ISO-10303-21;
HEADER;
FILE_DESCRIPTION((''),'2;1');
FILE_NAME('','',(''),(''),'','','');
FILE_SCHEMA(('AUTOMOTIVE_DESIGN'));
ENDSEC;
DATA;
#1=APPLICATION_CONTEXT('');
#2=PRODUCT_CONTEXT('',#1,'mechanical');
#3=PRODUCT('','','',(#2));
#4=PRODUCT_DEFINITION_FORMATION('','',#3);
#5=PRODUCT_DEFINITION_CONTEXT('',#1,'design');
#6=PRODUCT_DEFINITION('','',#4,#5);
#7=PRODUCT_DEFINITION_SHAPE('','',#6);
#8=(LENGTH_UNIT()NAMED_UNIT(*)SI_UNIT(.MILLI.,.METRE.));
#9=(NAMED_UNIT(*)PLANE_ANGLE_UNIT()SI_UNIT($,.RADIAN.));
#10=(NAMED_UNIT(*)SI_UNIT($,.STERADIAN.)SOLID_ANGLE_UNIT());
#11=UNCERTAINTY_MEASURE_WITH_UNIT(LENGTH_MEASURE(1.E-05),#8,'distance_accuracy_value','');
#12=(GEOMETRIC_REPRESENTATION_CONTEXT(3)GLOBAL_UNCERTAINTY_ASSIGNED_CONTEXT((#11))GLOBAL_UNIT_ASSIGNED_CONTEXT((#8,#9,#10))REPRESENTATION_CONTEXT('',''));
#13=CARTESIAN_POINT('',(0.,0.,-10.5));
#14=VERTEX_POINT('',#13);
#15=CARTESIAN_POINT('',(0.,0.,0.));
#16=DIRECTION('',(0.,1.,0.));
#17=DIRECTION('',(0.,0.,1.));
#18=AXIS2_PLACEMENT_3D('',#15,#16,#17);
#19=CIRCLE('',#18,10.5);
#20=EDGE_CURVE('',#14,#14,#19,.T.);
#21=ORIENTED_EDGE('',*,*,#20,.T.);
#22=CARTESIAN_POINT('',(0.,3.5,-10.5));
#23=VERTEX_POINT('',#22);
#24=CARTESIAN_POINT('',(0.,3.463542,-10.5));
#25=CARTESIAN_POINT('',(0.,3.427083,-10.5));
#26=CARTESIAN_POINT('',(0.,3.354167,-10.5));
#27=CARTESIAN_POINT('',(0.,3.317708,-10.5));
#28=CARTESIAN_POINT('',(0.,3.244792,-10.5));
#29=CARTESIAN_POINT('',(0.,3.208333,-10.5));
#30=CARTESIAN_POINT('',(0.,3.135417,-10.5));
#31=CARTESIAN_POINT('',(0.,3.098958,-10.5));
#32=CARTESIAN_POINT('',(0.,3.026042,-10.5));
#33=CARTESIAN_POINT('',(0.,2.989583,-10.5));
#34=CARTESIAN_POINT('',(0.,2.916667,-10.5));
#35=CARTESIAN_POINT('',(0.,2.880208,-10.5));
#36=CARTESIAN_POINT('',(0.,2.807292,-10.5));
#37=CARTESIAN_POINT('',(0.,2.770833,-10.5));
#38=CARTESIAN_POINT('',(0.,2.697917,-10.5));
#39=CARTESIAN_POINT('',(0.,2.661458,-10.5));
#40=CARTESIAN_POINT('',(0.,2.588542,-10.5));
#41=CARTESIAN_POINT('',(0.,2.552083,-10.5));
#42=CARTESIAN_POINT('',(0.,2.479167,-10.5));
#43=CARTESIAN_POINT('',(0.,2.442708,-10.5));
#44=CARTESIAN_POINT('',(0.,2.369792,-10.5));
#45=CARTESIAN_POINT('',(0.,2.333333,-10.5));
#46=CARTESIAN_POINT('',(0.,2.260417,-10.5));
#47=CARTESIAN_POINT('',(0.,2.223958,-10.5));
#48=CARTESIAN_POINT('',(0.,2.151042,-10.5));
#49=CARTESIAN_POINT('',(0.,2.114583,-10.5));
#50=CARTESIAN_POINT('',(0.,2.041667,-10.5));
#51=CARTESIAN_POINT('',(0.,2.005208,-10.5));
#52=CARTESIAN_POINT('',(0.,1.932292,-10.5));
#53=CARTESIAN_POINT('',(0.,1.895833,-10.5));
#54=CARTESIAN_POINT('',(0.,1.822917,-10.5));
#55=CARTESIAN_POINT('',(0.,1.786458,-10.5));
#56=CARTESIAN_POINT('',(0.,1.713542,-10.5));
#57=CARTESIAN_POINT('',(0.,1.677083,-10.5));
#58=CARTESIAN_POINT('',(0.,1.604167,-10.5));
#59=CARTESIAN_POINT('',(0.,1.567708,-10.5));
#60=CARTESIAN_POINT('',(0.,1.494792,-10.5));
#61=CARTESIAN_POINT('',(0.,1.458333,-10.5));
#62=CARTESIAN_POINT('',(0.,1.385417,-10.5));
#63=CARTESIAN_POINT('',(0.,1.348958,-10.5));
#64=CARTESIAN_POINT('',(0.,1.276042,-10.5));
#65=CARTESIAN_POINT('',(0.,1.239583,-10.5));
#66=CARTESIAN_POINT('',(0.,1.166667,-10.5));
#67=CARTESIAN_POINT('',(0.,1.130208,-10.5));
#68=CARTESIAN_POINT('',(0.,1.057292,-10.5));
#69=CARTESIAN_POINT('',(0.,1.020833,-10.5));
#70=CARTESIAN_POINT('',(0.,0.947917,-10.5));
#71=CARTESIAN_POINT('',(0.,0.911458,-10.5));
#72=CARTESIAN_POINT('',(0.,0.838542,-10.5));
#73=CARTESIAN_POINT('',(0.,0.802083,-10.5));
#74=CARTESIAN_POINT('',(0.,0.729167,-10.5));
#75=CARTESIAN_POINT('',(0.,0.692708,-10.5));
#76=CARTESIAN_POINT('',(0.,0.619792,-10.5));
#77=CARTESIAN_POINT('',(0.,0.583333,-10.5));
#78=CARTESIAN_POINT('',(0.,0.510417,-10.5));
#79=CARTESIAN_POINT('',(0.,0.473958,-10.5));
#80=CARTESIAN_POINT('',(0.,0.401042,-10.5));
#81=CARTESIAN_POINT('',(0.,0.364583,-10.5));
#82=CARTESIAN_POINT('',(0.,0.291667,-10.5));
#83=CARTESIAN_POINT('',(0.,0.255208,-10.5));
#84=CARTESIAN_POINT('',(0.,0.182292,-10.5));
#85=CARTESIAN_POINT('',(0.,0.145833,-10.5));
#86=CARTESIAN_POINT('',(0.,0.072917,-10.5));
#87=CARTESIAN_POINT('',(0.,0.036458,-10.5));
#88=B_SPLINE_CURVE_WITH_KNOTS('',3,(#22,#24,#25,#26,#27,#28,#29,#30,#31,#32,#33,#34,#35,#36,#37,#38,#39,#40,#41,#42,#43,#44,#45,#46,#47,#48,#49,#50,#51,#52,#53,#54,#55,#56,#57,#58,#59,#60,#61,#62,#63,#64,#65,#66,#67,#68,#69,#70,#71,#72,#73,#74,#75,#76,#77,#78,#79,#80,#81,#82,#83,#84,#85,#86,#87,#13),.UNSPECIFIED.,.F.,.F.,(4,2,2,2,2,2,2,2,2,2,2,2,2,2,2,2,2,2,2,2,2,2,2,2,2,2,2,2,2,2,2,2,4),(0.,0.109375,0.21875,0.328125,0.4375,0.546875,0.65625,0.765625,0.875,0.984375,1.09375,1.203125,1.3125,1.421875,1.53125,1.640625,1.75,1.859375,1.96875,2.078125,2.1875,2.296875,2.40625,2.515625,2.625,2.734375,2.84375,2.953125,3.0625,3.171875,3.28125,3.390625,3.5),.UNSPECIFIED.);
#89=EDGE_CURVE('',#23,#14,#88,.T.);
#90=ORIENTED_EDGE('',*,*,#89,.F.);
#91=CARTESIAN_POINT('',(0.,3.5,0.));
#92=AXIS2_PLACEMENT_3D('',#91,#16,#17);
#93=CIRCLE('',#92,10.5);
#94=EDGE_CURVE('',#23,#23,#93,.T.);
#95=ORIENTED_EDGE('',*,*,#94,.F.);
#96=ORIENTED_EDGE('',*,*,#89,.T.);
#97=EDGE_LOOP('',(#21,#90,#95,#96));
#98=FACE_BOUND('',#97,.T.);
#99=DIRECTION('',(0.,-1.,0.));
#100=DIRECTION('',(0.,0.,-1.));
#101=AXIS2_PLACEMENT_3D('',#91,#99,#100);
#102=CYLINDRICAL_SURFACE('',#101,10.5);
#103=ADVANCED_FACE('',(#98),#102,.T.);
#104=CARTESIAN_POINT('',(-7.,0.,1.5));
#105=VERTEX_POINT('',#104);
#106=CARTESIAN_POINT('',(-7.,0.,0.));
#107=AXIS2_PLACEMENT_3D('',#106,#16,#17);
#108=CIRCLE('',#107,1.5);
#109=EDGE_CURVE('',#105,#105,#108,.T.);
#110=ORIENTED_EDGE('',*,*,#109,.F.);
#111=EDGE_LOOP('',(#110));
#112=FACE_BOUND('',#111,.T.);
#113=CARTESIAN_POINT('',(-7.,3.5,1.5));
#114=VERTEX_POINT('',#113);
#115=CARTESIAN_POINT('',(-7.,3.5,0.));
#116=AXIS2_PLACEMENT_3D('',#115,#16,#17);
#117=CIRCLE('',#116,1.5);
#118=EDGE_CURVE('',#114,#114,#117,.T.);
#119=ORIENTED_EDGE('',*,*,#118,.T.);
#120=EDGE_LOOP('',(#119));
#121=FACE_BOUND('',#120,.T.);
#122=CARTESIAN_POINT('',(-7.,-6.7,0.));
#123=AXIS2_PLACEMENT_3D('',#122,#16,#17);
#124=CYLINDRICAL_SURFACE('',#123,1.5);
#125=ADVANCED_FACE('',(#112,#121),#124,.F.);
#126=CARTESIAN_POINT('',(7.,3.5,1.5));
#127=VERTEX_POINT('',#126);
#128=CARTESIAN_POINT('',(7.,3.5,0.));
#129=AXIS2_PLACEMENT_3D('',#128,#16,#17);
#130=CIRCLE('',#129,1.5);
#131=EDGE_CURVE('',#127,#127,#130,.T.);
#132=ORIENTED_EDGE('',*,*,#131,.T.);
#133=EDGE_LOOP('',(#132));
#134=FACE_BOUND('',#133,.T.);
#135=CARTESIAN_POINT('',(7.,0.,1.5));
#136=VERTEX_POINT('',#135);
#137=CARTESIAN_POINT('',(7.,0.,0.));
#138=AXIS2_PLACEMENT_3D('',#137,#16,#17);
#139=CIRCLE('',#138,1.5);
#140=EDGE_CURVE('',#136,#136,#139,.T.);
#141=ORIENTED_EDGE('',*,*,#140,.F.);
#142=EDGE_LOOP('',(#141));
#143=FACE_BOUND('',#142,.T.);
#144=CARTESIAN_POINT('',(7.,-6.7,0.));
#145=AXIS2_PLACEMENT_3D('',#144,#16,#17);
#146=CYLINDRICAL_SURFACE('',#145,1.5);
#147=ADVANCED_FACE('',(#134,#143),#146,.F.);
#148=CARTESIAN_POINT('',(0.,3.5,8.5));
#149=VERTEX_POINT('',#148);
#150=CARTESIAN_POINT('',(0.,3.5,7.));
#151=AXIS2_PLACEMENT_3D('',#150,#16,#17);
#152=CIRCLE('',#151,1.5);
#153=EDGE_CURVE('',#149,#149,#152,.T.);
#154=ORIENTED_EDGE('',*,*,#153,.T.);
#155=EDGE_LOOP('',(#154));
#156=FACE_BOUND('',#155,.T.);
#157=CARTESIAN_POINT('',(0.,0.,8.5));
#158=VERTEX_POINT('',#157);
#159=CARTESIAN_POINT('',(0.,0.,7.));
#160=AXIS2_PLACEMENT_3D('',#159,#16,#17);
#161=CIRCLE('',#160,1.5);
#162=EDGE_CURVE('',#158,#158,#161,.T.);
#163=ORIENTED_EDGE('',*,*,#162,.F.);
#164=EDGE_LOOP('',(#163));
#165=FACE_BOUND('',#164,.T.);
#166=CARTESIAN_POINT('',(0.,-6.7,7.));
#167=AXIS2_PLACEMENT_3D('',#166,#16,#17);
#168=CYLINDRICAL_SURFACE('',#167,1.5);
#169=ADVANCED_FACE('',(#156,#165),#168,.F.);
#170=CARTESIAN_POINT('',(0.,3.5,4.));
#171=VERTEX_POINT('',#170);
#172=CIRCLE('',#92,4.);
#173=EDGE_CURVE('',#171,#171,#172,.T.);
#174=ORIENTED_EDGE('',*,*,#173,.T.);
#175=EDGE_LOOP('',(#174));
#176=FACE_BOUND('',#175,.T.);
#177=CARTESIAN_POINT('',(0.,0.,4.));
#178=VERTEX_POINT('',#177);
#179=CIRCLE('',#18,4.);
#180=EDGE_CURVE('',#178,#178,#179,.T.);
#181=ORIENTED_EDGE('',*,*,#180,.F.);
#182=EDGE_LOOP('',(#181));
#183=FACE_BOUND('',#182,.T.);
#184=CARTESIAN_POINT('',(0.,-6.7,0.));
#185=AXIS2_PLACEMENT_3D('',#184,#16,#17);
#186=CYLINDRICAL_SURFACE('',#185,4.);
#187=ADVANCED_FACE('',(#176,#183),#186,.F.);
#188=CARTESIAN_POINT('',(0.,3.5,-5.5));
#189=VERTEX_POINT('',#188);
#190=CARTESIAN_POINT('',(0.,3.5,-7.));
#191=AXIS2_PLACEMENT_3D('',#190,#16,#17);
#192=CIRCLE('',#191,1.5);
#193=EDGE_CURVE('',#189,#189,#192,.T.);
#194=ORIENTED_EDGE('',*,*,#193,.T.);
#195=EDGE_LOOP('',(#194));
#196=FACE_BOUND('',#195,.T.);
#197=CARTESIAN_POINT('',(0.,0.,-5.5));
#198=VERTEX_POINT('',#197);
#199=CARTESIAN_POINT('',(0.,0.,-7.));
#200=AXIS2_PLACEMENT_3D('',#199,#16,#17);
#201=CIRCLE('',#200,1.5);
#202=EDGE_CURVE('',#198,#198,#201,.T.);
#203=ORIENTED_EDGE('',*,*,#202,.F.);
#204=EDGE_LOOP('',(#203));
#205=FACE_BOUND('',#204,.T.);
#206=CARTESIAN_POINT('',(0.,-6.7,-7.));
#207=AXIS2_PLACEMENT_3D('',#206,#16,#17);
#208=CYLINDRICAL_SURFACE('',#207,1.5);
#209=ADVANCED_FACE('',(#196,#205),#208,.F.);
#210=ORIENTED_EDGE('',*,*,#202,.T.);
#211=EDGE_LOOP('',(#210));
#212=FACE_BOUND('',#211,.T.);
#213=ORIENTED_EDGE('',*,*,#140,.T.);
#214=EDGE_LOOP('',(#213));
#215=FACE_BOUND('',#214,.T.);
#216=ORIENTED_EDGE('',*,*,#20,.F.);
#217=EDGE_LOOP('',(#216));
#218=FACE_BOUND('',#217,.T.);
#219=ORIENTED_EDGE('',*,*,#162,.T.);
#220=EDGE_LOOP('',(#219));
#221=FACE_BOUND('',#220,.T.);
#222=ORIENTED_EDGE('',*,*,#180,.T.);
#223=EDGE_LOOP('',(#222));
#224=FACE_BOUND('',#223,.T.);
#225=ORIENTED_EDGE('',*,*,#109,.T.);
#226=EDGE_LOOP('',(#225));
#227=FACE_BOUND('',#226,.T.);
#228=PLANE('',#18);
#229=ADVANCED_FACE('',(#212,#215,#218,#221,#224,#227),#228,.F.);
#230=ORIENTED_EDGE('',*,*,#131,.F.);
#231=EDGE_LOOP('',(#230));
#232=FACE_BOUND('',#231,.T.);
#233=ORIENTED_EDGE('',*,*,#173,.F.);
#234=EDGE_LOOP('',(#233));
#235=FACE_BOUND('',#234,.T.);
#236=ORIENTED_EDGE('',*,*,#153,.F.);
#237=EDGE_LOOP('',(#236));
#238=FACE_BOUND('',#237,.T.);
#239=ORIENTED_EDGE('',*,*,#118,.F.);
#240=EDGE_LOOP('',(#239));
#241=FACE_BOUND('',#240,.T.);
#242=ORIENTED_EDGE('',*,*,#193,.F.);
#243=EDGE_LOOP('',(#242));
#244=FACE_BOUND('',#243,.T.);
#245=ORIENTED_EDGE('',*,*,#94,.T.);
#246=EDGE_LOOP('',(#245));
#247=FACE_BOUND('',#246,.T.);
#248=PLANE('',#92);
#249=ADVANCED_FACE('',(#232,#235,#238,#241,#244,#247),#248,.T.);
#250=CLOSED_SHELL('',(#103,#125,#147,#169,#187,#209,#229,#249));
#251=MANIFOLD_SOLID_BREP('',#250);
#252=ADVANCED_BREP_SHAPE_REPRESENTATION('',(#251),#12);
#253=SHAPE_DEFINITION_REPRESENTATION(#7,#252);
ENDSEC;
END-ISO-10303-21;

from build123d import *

# Parameters (mm, degrees)
SKETCH1_R           = 10.5
BOSS_EXTRUDE1_DEPTH = 3.5
SKETCH2_R           = 4
SKETCH2_R_2         = 1.5
CUT_EXTRUDE1_DEPTH  = 10.2


with BuildPart() as part:
    # Sketch1 → Boss-Extrude1 (new body)
    with BuildSketch(Plane(origin=(0, 0, 0), x_dir=(1, 0, 0), z_dir=(0, 1, 0))):
        with Locations(Location((0, 0, 0), (0, 0, 90))):
            Circle(SKETCH1_R)
    extrude(amount=BOSS_EXTRUDE1_DEPTH)

    # Sketch2 → Cut-Extrude1 (cut)
    with BuildSketch(Plane(origin=(0, 3.5, 0), x_dir=(1, 0, 0), z_dir=(0, 1, 0))):
        with Locations(Location((0, 0, 0), (0, 0, 270))):
            Circle(SKETCH2_R)
        with Locations(Location((0, 7, 0), (0, 0, 270))):
            Circle(SKETCH2_R_2)
        with Locations(Location((7, 0, 0), (0, 0, 270))):
            Circle(SKETCH2_R_2)
        with Locations(Location((0, -7, 0), (0, 0, 270))):
            Circle(SKETCH2_R_2)
        with Locations(Location((-7, 0, 0), (0, 0, 270))):
            Circle(SKETCH2_R_2)
    extrude(amount=-CUT_EXTRUDE1_DEPTH, mode=Mode.SUBTRACT)


solid = part.part
